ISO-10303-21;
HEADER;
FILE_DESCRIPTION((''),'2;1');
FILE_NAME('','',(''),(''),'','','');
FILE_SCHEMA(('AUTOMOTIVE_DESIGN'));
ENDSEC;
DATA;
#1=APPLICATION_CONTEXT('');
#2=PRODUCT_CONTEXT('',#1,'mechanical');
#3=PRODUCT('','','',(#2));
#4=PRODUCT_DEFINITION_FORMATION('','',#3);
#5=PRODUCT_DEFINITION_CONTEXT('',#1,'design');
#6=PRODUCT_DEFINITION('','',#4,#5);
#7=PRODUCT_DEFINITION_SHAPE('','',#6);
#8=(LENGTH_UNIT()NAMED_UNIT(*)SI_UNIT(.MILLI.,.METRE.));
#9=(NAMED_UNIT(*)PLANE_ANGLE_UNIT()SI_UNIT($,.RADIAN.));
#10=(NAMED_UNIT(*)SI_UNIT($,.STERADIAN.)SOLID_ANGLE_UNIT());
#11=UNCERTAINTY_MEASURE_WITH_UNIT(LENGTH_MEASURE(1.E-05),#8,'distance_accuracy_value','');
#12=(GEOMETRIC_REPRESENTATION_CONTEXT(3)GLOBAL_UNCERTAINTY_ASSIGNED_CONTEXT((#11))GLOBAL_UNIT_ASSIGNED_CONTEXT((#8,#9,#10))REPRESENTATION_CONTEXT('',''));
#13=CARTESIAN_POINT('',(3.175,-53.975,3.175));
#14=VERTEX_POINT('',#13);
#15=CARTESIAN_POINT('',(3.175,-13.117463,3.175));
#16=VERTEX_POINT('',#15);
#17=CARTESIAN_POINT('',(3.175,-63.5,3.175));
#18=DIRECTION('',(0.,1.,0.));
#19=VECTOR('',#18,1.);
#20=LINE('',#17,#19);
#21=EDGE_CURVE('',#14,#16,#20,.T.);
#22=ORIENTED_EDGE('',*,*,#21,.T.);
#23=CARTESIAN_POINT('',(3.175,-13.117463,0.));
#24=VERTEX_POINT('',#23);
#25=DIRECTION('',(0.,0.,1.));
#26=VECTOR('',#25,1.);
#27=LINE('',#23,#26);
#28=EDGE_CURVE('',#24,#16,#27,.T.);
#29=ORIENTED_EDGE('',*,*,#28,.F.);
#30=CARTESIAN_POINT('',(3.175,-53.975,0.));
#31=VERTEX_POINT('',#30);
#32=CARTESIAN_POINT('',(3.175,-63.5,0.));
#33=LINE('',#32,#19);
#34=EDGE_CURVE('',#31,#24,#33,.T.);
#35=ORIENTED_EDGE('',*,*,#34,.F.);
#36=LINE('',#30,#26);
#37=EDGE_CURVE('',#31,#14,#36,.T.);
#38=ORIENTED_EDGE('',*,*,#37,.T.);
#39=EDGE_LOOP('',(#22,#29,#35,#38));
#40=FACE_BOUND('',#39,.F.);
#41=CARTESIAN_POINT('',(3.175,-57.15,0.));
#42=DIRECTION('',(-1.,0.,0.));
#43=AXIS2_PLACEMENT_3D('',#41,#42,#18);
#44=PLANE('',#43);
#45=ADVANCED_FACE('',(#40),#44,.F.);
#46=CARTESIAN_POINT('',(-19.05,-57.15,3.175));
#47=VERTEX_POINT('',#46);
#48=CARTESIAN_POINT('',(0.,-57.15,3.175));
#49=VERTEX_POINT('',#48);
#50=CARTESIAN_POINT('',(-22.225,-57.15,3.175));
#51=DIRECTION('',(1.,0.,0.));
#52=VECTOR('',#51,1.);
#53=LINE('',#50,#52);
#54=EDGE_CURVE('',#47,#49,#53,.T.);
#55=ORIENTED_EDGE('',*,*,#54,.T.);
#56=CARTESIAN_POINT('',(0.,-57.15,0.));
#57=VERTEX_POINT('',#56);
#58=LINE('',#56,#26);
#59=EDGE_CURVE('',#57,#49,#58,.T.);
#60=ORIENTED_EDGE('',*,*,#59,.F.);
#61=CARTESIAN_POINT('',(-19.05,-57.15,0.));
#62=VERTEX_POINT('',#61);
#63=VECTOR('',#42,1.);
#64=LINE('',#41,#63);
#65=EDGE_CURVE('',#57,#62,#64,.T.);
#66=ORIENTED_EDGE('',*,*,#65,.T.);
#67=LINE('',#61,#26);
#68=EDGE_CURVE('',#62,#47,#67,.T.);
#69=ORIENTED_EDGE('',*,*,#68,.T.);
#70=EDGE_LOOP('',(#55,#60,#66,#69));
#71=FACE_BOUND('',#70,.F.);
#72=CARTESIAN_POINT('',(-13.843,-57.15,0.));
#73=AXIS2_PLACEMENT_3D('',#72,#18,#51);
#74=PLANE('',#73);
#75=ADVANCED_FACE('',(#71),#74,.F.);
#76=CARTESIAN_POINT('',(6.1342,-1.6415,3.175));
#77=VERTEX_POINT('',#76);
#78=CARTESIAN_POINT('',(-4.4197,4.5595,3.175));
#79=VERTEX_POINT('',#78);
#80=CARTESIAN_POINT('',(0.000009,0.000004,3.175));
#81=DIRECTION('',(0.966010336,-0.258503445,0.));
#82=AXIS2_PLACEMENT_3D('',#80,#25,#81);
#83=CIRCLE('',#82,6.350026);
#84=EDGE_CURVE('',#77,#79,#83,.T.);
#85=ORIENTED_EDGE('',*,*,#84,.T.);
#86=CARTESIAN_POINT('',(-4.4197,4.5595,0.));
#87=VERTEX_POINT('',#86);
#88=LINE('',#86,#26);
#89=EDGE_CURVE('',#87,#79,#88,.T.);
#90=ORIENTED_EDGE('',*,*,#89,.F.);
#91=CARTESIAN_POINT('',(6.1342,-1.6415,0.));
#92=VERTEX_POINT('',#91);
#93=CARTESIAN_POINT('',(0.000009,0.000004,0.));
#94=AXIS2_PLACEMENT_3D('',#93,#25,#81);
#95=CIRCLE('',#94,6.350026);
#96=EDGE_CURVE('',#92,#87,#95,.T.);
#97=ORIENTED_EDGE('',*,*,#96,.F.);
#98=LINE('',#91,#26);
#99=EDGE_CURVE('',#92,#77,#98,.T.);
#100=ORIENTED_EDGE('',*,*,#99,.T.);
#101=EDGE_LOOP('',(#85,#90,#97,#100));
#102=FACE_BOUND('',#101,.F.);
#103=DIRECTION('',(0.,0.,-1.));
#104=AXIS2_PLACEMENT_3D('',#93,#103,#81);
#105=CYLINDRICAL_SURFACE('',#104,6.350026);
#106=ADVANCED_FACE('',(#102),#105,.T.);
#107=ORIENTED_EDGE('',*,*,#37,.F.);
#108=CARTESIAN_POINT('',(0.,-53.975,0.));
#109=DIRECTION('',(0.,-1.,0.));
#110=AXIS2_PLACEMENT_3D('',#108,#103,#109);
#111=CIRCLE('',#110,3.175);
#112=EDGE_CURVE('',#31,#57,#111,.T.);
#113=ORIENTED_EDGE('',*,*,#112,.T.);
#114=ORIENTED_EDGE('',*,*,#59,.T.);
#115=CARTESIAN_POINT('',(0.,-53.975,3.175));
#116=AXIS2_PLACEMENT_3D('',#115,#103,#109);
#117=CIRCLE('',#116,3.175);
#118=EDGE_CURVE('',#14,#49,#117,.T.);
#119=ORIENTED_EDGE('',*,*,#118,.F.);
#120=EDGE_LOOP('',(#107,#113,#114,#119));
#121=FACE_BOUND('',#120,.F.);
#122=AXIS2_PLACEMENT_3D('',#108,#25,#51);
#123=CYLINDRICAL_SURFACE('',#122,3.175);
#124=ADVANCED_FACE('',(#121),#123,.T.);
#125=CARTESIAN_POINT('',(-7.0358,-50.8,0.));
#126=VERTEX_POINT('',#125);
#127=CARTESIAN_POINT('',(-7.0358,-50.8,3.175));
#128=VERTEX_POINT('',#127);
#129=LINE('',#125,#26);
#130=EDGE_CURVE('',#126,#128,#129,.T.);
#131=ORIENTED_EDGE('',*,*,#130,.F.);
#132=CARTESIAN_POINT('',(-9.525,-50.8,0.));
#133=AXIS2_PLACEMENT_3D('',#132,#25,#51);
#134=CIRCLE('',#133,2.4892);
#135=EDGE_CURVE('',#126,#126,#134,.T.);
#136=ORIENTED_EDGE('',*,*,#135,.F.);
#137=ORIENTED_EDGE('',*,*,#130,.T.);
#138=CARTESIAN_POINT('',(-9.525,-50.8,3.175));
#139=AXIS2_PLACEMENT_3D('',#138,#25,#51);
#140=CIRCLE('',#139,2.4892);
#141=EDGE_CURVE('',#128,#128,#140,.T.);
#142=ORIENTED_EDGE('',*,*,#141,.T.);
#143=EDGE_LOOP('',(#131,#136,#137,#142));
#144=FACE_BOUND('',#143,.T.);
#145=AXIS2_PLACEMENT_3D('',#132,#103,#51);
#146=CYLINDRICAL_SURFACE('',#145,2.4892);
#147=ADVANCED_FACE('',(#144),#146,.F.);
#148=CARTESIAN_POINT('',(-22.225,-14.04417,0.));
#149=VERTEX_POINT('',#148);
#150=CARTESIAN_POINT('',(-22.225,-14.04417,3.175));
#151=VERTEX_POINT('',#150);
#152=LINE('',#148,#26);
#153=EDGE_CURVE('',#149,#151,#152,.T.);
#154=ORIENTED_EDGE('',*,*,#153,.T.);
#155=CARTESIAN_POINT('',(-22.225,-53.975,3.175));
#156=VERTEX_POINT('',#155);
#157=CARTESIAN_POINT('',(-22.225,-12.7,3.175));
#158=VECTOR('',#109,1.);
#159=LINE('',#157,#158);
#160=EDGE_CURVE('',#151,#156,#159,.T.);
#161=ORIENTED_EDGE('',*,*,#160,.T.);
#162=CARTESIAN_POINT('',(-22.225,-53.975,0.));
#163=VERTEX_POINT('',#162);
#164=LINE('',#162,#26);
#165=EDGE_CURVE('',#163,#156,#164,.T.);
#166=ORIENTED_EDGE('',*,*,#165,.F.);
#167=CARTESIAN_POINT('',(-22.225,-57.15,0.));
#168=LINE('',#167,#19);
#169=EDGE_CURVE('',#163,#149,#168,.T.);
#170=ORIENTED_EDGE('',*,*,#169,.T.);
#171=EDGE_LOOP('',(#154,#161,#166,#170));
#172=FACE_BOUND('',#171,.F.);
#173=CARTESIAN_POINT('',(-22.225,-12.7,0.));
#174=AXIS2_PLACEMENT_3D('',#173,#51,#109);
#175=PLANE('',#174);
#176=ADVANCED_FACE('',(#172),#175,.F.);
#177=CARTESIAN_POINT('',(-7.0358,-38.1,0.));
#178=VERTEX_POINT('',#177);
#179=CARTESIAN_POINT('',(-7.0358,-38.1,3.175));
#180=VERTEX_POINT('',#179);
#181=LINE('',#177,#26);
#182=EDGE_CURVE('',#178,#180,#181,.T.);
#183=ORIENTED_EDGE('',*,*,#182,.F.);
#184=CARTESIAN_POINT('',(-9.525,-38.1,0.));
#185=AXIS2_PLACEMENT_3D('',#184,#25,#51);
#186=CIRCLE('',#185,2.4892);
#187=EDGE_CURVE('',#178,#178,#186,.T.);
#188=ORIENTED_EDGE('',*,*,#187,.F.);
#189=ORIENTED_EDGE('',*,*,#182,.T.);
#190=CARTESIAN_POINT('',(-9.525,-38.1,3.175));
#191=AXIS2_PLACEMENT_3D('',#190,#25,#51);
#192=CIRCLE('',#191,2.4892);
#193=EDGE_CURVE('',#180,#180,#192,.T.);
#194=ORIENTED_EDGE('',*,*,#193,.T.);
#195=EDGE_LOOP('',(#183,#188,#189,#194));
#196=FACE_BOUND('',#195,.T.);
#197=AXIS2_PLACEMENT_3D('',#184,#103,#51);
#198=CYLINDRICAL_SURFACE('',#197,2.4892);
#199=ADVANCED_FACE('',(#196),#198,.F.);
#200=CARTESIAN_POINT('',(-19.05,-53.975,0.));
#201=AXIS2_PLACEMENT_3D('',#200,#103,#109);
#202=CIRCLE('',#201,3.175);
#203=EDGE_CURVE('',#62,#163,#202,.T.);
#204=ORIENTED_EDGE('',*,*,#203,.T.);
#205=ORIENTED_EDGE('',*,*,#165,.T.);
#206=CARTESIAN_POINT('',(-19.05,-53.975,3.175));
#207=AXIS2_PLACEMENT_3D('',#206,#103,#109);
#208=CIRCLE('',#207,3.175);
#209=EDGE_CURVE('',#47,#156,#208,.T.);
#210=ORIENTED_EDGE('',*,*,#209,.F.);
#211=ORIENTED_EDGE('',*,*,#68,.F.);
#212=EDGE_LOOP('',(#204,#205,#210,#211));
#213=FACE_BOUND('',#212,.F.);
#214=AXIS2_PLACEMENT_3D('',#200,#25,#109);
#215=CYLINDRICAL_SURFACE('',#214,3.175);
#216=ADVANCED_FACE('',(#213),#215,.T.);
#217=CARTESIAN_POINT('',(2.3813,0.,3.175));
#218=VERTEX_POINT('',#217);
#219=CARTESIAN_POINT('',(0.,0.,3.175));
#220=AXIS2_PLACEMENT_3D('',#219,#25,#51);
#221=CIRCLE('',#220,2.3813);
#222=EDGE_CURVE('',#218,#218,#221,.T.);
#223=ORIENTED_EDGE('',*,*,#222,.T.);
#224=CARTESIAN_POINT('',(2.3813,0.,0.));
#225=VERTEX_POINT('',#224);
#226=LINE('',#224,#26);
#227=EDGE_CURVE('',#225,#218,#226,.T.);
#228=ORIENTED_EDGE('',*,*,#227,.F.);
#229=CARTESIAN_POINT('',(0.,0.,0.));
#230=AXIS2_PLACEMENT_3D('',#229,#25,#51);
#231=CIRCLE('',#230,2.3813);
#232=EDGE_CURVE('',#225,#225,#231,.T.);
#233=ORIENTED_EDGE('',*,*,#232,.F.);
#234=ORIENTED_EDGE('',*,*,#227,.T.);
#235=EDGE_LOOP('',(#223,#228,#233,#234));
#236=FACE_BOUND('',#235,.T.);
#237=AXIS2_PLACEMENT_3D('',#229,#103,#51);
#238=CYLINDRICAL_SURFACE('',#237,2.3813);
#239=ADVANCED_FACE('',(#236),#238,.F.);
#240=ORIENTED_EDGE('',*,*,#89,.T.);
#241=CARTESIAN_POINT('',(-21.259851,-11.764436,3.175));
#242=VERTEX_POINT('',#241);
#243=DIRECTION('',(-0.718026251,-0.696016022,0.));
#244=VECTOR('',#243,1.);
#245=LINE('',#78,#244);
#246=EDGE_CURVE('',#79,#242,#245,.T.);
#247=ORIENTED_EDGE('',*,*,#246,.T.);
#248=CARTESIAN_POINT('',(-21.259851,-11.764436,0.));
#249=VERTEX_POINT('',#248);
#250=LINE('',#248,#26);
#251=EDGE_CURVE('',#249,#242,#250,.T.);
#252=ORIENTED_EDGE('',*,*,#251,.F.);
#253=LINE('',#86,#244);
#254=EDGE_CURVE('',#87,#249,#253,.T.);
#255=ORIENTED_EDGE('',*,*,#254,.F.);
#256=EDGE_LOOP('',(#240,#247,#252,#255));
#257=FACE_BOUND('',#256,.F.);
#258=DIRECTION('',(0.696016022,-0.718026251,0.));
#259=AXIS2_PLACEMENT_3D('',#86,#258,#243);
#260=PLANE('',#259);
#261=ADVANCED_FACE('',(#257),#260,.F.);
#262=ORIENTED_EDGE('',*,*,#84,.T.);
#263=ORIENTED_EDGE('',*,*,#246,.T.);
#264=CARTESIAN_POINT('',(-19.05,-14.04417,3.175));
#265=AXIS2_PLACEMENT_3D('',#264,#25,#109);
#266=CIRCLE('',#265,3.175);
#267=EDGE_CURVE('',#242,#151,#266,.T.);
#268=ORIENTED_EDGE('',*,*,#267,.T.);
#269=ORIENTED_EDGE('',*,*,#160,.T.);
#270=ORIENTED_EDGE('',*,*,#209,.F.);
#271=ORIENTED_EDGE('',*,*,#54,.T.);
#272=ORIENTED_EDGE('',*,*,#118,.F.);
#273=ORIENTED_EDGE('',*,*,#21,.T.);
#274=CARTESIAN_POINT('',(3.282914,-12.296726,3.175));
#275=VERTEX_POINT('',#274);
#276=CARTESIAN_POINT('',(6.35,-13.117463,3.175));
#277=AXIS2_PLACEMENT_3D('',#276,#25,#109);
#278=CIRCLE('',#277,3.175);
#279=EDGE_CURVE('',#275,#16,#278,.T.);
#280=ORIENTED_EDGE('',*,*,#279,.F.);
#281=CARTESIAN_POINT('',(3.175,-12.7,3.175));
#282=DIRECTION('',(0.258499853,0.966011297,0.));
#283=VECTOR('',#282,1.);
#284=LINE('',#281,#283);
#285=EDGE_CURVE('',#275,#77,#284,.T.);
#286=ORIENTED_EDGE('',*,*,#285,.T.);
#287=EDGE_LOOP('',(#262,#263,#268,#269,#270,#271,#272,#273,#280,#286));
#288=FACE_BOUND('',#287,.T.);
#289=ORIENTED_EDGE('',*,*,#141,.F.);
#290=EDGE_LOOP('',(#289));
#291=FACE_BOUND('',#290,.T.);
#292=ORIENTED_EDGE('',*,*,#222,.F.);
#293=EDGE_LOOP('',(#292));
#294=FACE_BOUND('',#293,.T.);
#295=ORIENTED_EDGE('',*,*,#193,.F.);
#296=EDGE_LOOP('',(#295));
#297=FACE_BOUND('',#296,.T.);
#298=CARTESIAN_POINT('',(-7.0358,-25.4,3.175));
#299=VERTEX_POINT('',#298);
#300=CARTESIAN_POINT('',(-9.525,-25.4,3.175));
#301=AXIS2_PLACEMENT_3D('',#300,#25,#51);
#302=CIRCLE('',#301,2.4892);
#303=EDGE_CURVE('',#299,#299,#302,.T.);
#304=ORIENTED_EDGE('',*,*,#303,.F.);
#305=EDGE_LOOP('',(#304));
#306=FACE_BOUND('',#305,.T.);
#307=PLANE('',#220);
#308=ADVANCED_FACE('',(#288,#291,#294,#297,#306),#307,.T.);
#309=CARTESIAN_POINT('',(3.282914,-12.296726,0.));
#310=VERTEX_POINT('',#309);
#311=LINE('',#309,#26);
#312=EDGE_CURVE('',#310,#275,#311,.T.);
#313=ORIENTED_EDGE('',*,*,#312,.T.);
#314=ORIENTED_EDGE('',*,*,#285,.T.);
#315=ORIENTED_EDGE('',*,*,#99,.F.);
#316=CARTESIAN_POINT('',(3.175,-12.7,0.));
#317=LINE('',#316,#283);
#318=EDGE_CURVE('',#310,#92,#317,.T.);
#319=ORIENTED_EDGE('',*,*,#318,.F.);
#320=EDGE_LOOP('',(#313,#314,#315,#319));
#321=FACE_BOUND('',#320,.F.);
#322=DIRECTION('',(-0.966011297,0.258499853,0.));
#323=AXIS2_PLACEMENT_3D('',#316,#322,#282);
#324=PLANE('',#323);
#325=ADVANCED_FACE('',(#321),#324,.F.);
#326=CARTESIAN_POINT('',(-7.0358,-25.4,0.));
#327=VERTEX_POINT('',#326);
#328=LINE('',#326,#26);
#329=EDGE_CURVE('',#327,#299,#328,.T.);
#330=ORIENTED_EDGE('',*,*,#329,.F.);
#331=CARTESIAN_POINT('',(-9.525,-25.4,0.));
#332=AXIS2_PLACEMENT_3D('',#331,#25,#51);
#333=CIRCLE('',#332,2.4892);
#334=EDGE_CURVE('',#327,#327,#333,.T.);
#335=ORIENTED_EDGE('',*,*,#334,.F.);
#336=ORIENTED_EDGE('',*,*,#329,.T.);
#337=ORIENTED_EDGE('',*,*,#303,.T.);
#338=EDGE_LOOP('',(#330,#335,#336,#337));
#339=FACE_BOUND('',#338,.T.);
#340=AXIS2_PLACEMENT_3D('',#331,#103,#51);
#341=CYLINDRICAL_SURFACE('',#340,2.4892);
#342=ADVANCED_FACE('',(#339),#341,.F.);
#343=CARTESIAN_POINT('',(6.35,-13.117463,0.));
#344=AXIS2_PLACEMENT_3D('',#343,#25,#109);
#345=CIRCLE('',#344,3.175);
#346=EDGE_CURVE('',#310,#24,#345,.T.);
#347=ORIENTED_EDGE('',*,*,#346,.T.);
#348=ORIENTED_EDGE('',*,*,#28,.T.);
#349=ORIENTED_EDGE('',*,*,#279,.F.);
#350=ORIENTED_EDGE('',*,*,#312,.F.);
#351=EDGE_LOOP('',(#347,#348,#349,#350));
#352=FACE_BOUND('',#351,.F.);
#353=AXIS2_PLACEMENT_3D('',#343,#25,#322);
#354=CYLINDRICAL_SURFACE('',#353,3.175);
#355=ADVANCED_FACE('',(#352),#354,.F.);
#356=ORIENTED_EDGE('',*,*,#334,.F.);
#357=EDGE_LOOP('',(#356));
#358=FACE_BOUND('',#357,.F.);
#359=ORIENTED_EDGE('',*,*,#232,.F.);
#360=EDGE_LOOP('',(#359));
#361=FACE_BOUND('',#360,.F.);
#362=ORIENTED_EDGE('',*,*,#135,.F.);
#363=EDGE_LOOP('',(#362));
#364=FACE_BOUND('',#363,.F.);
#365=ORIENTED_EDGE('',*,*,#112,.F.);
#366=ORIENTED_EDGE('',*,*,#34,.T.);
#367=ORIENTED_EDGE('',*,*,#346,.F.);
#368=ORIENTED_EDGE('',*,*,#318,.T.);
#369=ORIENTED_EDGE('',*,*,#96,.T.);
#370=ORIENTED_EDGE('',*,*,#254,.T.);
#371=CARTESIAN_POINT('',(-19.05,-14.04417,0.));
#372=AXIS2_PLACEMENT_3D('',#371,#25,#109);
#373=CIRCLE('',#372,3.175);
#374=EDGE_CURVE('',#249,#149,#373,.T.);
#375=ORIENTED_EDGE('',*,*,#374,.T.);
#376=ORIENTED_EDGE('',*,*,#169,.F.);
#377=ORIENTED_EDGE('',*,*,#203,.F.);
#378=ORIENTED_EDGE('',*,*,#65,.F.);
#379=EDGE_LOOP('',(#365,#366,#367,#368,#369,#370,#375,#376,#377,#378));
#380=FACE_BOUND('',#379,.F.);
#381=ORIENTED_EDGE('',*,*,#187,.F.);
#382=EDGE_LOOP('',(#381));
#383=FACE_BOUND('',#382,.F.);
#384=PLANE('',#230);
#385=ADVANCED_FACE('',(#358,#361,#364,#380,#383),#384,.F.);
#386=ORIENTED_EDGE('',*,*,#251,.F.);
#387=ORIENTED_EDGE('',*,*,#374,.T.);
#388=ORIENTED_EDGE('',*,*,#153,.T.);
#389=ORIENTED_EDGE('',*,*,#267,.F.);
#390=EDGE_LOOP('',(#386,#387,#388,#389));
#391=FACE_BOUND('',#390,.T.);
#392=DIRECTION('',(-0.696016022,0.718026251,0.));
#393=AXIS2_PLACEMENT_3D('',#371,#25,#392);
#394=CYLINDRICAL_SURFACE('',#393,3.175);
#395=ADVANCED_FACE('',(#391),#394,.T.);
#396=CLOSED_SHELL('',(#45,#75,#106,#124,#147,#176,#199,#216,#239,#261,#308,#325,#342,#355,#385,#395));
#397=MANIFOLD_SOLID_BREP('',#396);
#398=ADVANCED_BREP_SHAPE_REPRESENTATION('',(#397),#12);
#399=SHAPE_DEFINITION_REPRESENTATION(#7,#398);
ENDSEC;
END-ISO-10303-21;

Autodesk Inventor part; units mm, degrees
ref_plane "YZ Plane" through (0, 0, 0) normal (1, 0, 0) x (0, 1, 0)
ref_plane "XZ Plane" through (0, 0, 0) normal (0, 1, 0) x (-1, 0, 0)
ref_plane "XY Plane" through (0, 0, 0) normal (0, 0, 1) x (1, 0, 0)
sketch "Sketch1" plane through (0, 0, 0) normal (0, 0, 1) x (1, 0, 0)
  arc A0 (6.1342, -1.6415) -> (-4.4197, 4.5595) centre (0, 0) ccw
  circle A1 centre (0, 0) radius 9.525 construction
  line L0 (3.175, -12.7) -> (-22.225, -12.7)
  line L1 (-22.225, -12.7) -> (-22.225, -63.5)
  line L2 (-22.225, -63.5) -> (3.175, -63.5)
  line L3 (3.175, -63.5) -> (3.175, -12.7)
  line L4 (3.175, -12.7) -> (-22.225, -63.5) construction
  line L5 (-22.225, -12.7) -> (3.175, -63.5) construction
  line L6 (9.525, 7.0623) -> (9.525, -12.9681) construction
  circle A2 centre (-9.525, -25.4) radius 2.4892
  circle A3 centre (-9.525, -38.1) radius 2.4892
  circle A4 centre (-9.525, -50.8) radius 2.4892
  circle A5 centre (0, 0) radius 2.3813
  line L7 (3.175, -12.7) -> (6.1342, -1.6415)
  line L8 (-4.4197, 4.5595) -> (-22.225, -12.7)
  line L9 (3.175, -63.5) -> (-22.225, -63.5)
  line L10 (-22.225, -63.5) -> (-22.225, -57.15)
  line L11 (-22.225, -57.15) -> (3.175, -57.15)
  line L12 (3.175, -57.15) -> (3.175, -63.5)
  line L13 (-22.225, -63.5) -> (-13.843, -63.5)
  line L14 (-13.843, -63.5) -> (-13.843, -44.45)
  line L15 (-13.843, -44.45) -> (-22.225, -44.45)
  line L16 (-22.225, -44.45) -> (-22.225, -63.5)
  point P0 (-13.843, -57.15)
  point P1 (3.175, -57.15)
  dimension "d0" = 12.7
  dimension "d1" = 19.05
  dimension "d2" = 25.4
  dimension "d4" = 6.35
  dimension "d5" = 4.9784
  dimension "d8" = 12.7
  dimension "d13" = 4.7625
  dimension "d17" = 3.175
  dimension "d18" = 12.7
  dimension "d19" = 6.35
  dimension "d20" = 8.382
  dimension "d21" = 19.05
extrude "Extrusion1" add sketch "Sketch1" along normal blind 3.175 contours L7 L0 L8 A0 | L3 L11 L14 L15 L1 L0 | L15 L14 L11 L1
fillet "Fillet1" radius 3.175 4 edges at (3.175, -12.7, 1.5875) (-22.225, -12.7, 1.5875) (3.175, -57.15, 1.5875) (-22.225, -57.15, 1.5875)
properties part number "Top Bearing Plate (R4 - 0.25in Between Stages)" material "Aluminum 6061"
